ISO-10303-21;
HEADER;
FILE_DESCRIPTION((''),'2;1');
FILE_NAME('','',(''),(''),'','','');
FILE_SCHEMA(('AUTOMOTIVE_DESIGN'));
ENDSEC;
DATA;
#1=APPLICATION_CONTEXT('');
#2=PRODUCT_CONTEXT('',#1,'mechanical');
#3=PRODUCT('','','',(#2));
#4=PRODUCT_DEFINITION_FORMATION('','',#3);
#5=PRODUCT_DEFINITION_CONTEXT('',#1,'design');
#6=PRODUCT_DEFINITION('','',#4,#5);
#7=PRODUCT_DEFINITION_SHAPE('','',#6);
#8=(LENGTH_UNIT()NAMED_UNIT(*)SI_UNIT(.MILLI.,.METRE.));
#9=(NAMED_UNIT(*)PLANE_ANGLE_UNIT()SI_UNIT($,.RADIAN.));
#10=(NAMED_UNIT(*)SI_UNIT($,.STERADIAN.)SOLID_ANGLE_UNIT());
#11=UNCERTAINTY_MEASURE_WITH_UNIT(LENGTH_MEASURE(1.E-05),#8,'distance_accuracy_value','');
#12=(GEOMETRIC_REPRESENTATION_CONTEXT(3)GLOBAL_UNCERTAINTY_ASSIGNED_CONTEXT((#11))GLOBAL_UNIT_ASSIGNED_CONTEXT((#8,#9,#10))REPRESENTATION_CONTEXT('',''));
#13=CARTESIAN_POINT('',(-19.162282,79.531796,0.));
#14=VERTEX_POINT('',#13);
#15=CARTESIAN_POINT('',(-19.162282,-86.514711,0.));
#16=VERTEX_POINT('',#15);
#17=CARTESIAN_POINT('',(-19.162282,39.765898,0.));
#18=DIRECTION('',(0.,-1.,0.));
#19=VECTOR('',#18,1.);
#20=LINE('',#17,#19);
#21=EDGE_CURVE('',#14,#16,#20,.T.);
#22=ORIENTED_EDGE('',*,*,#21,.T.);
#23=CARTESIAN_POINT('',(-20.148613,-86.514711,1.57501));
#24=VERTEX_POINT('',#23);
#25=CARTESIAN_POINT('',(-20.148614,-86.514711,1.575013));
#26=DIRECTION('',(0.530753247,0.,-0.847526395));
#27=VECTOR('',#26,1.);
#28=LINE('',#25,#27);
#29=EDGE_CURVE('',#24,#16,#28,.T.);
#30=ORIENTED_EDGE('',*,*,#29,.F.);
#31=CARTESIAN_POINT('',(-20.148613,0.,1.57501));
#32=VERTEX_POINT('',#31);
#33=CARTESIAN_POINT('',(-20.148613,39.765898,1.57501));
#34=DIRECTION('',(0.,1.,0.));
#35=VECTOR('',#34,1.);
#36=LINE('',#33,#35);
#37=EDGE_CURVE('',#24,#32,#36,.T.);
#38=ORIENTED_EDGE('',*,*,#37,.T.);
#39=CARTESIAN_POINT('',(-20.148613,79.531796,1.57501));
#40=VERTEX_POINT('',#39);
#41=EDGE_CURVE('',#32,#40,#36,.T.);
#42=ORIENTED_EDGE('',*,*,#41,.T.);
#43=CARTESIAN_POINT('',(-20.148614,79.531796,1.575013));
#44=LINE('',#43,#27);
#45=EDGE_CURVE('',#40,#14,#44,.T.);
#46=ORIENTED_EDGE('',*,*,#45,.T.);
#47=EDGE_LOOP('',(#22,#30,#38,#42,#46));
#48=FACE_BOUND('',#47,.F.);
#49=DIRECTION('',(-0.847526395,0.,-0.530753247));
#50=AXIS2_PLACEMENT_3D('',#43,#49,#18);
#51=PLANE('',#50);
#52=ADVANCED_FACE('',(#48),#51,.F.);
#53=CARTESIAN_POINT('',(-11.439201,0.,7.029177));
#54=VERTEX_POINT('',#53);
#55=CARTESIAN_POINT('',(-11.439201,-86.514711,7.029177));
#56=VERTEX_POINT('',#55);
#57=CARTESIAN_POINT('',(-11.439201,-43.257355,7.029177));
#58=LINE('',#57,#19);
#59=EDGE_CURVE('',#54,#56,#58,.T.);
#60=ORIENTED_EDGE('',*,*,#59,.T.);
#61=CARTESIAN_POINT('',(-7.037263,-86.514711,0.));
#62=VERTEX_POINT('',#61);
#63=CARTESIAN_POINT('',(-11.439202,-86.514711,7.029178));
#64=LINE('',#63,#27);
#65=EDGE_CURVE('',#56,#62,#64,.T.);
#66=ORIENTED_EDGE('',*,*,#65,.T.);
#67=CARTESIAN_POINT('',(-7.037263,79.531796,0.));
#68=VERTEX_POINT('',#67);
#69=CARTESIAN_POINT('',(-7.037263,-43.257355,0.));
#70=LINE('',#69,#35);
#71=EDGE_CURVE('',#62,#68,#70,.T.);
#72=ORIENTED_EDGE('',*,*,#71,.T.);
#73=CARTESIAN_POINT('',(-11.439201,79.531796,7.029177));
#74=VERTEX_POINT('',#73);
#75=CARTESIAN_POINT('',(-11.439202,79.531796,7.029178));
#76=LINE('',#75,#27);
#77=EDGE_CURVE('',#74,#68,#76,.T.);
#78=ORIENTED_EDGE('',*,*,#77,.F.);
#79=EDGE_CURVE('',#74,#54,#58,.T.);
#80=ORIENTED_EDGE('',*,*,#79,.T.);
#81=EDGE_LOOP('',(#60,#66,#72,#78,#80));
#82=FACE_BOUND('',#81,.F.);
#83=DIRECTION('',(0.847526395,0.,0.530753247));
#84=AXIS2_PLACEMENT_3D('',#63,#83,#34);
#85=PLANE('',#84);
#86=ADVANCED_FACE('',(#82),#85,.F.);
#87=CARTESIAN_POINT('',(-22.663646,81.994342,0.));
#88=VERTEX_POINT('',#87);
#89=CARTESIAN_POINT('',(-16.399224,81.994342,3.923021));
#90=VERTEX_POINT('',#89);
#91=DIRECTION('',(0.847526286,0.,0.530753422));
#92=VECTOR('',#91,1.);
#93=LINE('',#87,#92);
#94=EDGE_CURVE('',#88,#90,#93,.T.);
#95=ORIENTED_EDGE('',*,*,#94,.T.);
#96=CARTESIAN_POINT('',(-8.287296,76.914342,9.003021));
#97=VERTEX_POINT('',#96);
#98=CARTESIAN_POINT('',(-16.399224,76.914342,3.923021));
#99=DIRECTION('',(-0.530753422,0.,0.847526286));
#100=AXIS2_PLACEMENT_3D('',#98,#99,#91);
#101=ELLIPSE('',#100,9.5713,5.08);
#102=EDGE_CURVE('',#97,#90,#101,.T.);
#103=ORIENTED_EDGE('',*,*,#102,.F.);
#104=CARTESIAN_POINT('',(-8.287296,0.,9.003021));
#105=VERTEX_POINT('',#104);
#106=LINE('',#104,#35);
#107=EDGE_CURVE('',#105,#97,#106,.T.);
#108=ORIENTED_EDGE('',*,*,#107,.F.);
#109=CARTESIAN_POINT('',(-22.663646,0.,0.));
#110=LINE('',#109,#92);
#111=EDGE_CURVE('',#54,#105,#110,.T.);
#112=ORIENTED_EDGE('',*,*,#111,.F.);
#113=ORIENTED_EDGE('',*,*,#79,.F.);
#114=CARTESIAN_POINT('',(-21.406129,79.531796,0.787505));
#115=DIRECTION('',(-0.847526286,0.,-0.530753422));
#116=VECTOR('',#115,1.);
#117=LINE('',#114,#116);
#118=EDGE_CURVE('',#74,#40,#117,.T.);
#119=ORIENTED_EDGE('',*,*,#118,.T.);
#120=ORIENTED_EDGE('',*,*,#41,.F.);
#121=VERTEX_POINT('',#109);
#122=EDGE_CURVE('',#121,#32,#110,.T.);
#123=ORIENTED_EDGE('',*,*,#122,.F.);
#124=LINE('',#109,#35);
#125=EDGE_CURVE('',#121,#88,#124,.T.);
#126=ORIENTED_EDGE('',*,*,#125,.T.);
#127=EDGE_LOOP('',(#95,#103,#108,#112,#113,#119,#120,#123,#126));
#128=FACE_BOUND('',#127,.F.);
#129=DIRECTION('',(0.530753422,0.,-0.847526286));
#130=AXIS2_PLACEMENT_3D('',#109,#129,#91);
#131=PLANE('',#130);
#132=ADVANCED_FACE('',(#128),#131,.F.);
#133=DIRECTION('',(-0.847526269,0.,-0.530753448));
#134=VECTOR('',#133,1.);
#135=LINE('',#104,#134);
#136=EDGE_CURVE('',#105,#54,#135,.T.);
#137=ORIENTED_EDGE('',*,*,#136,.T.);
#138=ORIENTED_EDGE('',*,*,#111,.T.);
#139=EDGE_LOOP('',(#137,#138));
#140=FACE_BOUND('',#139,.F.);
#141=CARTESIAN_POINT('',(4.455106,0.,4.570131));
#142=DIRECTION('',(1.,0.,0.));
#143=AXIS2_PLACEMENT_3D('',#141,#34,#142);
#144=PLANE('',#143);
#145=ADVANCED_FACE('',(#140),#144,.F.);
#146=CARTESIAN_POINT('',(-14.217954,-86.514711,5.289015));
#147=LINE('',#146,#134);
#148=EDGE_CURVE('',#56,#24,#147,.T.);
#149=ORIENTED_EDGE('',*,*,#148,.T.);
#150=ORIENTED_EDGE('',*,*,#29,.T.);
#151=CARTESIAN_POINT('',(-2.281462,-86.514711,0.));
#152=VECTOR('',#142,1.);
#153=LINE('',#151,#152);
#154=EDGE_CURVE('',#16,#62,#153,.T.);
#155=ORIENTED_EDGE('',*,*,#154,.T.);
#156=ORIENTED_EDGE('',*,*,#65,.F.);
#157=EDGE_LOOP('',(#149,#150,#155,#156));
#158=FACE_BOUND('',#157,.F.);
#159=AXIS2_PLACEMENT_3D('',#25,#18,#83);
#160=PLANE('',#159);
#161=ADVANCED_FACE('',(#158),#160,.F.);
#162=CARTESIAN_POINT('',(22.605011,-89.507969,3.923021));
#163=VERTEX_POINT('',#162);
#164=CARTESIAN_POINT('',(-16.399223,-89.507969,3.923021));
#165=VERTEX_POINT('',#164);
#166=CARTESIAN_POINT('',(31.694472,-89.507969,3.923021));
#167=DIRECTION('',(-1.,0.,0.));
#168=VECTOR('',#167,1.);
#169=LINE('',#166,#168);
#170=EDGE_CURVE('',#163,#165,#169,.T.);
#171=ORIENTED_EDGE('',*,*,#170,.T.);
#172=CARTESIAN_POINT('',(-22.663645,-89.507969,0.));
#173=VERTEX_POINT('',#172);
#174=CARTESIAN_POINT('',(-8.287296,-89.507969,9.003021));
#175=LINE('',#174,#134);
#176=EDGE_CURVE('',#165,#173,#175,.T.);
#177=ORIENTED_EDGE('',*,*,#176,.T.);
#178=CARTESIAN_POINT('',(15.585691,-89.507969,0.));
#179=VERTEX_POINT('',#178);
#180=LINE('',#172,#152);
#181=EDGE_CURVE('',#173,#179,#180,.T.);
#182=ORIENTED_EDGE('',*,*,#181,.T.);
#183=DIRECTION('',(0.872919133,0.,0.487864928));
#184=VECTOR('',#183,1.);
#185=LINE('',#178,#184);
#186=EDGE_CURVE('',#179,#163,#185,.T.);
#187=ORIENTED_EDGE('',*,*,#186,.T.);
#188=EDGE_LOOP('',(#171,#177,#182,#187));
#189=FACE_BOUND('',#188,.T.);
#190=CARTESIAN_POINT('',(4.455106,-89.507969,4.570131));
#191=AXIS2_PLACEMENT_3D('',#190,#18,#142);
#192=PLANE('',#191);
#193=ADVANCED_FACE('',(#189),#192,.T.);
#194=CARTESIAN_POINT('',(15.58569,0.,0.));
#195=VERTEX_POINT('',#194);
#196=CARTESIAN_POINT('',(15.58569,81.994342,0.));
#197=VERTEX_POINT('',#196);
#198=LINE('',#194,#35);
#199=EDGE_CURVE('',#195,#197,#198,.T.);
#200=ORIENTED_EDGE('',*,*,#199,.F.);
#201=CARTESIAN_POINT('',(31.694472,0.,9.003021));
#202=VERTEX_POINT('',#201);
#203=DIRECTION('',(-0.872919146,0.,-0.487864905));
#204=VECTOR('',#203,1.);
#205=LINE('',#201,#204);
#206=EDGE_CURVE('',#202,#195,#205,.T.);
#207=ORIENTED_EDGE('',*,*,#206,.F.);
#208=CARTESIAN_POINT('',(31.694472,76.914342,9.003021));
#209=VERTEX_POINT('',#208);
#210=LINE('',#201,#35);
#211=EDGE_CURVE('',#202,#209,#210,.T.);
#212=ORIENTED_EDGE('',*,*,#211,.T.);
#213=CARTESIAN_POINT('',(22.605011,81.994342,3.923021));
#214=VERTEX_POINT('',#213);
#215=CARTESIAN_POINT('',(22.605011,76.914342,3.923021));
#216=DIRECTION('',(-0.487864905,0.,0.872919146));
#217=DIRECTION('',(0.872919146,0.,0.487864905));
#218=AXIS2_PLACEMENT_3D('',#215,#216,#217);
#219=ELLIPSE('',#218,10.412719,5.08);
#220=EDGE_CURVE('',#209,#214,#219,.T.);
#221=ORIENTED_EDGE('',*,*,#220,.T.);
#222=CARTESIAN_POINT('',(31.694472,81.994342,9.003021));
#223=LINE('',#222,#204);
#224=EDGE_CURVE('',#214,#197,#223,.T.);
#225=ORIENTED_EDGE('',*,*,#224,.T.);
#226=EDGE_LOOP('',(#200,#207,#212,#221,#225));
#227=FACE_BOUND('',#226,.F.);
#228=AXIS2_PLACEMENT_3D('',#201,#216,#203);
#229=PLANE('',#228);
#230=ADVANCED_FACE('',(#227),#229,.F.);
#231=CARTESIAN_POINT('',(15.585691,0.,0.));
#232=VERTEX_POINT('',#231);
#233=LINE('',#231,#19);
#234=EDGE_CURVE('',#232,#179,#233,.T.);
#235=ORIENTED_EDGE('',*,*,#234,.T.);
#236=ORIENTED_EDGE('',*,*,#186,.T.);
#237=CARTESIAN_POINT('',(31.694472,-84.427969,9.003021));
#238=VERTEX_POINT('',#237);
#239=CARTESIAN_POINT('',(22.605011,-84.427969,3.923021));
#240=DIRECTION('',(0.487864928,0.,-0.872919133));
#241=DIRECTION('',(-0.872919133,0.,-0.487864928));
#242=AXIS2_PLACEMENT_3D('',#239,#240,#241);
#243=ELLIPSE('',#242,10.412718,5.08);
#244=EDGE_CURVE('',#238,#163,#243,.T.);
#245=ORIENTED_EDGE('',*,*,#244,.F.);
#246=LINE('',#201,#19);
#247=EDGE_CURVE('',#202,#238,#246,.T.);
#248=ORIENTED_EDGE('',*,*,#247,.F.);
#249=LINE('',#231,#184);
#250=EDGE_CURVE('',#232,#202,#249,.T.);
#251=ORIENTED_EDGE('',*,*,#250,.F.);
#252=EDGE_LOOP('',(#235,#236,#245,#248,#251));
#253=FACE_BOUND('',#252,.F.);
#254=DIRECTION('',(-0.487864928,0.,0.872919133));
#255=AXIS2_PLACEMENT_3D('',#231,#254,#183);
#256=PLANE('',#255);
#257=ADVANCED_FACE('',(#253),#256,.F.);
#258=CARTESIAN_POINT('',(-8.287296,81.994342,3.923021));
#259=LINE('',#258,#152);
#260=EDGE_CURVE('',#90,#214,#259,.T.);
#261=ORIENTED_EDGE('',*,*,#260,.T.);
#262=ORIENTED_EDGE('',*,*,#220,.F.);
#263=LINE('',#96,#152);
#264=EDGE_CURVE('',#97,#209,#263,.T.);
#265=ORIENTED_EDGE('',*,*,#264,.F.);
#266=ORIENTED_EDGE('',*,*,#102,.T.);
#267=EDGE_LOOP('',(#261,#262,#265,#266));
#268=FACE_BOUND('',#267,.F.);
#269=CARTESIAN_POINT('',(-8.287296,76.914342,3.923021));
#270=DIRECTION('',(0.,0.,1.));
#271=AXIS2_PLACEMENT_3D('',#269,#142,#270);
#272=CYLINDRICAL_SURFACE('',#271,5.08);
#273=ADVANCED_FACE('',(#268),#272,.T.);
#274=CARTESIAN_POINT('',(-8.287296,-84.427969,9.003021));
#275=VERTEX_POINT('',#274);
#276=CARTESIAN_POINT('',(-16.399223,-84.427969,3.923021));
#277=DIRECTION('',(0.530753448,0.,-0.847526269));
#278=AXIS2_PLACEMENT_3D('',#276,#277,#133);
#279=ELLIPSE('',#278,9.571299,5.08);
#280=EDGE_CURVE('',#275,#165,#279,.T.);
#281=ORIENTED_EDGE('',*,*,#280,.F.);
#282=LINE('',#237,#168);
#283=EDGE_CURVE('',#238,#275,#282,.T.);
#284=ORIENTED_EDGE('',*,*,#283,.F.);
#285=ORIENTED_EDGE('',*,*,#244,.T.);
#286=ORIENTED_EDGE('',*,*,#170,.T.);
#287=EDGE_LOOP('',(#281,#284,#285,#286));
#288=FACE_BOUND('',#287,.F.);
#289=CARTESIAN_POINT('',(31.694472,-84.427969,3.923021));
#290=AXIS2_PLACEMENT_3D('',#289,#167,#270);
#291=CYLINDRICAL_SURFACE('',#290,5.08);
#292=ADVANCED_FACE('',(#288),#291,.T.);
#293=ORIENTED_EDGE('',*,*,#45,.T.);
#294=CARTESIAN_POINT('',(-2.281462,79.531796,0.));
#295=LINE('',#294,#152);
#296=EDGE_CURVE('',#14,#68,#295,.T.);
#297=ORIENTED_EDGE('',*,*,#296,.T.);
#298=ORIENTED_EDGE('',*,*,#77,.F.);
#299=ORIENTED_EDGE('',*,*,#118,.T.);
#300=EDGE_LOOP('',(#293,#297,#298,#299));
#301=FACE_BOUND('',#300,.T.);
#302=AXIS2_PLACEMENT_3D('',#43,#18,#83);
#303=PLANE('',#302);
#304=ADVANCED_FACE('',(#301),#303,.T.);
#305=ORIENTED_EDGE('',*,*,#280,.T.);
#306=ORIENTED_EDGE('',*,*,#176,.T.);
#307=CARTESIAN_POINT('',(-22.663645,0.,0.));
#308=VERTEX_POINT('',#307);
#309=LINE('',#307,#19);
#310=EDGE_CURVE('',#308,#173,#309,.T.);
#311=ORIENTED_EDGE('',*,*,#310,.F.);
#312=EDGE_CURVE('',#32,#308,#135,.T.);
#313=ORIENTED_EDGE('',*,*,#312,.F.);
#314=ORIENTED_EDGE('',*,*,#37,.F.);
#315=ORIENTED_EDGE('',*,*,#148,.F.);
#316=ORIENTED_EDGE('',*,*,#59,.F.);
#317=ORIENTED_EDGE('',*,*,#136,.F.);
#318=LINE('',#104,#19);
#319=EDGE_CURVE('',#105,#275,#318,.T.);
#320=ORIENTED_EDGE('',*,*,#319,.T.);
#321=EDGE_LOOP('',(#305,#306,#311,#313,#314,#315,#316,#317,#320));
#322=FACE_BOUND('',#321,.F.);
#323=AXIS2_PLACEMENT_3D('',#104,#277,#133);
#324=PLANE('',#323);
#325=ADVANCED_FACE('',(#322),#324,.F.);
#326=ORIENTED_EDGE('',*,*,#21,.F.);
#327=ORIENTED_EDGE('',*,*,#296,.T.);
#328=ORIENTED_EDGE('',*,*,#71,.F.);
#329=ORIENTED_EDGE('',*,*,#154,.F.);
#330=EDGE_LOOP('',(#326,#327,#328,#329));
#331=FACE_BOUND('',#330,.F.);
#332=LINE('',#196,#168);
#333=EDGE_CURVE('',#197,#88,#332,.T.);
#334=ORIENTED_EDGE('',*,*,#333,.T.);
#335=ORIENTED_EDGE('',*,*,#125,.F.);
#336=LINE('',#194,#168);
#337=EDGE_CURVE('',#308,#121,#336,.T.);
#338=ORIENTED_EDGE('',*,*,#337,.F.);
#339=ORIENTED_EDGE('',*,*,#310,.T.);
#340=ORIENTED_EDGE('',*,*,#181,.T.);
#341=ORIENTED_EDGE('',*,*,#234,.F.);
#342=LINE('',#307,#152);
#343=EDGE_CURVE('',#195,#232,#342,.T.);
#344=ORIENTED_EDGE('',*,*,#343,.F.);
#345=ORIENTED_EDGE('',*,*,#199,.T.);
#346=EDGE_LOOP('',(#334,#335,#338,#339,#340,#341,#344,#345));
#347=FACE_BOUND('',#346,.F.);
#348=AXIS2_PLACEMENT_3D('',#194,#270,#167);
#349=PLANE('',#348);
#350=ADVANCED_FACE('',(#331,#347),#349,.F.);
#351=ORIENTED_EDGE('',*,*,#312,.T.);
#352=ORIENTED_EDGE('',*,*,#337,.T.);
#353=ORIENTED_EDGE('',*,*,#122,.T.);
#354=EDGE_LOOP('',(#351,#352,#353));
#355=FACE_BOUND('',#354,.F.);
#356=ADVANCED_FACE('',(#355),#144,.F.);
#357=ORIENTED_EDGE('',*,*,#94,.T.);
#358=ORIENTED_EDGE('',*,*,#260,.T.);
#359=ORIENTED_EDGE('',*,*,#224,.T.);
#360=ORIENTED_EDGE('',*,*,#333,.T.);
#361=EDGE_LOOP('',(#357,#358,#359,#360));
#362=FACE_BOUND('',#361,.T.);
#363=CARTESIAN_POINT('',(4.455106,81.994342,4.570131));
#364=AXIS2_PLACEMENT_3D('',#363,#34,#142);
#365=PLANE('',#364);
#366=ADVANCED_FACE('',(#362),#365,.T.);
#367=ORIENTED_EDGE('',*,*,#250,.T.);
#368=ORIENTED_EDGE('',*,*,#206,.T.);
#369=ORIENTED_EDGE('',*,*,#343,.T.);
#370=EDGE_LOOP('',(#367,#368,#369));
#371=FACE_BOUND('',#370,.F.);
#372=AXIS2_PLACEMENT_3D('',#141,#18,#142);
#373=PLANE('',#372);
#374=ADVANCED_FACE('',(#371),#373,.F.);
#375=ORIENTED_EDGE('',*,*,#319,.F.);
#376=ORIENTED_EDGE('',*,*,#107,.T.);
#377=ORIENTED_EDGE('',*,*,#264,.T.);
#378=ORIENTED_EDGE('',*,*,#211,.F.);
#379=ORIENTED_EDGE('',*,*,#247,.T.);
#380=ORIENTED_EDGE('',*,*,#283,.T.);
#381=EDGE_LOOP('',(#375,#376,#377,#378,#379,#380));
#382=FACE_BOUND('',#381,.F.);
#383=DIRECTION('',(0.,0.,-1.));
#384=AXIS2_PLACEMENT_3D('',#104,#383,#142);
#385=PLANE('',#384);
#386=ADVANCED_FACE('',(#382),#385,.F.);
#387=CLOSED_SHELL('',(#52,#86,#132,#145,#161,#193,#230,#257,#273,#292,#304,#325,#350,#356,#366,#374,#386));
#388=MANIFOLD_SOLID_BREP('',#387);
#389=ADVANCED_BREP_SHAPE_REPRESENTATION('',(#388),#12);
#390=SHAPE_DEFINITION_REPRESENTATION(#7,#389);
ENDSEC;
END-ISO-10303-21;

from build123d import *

# Parameters (mm, degrees)
F1_DEPTH = 89.507969
F4_DEPTH = 81.994342
F2_W     = 10.276273
F2_H     = 43.34471
F2_H_2   = 36.187086
F2_H_3   = 36.76717
F2_H_4   = 49.747541
F5_DEPTH = 25.4
F3_R     = 5.08
F6_R     = 5.08


with BuildPart() as f1:
    # F0 (on Front) → F1 (new body)
    with BuildSketch(Plane.XZ):
        Polygon((-8.287296, 9.003021), (-22.663645, 0), (15.585691, 0), (31.694472, 9.003021), align=None)
    extrude(amount=F1_DEPTH)

    # F1_face (on face) → F4 (join)
    with BuildSketch(Plane(origin=(4.138563, 0, 4.534739), x_dir=(1, 0, 0), z_dir=(0, 1, 0))):
        Polygon((-26.802209, 4.534739), (-12.425859, -4.468282), (27.555909, -4.468282), (11.447127, 4.534739), align=None)
    extrude(amount=F4_DEPTH)

    # F2 (on face) → F5 (cut)
    with BuildSketch(Plane(origin=(-6.384331, 0, 10.19473), x_dir=(0.847526, 0, 0.530753), z_dir=(-0.530753, 0, 0.847526))):
        with Locations((-11.1024, 57.859441)):
            Rectangle(F2_W, F2_H)
        with Locations((-11.1024, 18.093543)):
            Rectangle(F2_W, F2_H_2)
        with Locations((-11.1024, -18.383585)):
            Rectangle(F2_W, F2_H_3)
        with Locations((-11.1024, -61.64094)):
            Rectangle(F2_W, F2_H_4)
    extrude(amount=-F5_DEPTH, mode=Mode.SUBTRACT)

    # F3
    f3_edges = [f1.edges().sort_by_distance(p)[0] for p in [
        (11.703588, -89.507969, 9.003021),
    ]]
    fillet(f3_edges, radius=F3_R)

    # F6
    f6_edges = [f1.edges().sort_by_distance(p)[0] for p in [
        (11.703588, 81.994342, 9.003021),
    ]]
    fillet(f6_edges, radius=F6_R)


solid = f1.part
